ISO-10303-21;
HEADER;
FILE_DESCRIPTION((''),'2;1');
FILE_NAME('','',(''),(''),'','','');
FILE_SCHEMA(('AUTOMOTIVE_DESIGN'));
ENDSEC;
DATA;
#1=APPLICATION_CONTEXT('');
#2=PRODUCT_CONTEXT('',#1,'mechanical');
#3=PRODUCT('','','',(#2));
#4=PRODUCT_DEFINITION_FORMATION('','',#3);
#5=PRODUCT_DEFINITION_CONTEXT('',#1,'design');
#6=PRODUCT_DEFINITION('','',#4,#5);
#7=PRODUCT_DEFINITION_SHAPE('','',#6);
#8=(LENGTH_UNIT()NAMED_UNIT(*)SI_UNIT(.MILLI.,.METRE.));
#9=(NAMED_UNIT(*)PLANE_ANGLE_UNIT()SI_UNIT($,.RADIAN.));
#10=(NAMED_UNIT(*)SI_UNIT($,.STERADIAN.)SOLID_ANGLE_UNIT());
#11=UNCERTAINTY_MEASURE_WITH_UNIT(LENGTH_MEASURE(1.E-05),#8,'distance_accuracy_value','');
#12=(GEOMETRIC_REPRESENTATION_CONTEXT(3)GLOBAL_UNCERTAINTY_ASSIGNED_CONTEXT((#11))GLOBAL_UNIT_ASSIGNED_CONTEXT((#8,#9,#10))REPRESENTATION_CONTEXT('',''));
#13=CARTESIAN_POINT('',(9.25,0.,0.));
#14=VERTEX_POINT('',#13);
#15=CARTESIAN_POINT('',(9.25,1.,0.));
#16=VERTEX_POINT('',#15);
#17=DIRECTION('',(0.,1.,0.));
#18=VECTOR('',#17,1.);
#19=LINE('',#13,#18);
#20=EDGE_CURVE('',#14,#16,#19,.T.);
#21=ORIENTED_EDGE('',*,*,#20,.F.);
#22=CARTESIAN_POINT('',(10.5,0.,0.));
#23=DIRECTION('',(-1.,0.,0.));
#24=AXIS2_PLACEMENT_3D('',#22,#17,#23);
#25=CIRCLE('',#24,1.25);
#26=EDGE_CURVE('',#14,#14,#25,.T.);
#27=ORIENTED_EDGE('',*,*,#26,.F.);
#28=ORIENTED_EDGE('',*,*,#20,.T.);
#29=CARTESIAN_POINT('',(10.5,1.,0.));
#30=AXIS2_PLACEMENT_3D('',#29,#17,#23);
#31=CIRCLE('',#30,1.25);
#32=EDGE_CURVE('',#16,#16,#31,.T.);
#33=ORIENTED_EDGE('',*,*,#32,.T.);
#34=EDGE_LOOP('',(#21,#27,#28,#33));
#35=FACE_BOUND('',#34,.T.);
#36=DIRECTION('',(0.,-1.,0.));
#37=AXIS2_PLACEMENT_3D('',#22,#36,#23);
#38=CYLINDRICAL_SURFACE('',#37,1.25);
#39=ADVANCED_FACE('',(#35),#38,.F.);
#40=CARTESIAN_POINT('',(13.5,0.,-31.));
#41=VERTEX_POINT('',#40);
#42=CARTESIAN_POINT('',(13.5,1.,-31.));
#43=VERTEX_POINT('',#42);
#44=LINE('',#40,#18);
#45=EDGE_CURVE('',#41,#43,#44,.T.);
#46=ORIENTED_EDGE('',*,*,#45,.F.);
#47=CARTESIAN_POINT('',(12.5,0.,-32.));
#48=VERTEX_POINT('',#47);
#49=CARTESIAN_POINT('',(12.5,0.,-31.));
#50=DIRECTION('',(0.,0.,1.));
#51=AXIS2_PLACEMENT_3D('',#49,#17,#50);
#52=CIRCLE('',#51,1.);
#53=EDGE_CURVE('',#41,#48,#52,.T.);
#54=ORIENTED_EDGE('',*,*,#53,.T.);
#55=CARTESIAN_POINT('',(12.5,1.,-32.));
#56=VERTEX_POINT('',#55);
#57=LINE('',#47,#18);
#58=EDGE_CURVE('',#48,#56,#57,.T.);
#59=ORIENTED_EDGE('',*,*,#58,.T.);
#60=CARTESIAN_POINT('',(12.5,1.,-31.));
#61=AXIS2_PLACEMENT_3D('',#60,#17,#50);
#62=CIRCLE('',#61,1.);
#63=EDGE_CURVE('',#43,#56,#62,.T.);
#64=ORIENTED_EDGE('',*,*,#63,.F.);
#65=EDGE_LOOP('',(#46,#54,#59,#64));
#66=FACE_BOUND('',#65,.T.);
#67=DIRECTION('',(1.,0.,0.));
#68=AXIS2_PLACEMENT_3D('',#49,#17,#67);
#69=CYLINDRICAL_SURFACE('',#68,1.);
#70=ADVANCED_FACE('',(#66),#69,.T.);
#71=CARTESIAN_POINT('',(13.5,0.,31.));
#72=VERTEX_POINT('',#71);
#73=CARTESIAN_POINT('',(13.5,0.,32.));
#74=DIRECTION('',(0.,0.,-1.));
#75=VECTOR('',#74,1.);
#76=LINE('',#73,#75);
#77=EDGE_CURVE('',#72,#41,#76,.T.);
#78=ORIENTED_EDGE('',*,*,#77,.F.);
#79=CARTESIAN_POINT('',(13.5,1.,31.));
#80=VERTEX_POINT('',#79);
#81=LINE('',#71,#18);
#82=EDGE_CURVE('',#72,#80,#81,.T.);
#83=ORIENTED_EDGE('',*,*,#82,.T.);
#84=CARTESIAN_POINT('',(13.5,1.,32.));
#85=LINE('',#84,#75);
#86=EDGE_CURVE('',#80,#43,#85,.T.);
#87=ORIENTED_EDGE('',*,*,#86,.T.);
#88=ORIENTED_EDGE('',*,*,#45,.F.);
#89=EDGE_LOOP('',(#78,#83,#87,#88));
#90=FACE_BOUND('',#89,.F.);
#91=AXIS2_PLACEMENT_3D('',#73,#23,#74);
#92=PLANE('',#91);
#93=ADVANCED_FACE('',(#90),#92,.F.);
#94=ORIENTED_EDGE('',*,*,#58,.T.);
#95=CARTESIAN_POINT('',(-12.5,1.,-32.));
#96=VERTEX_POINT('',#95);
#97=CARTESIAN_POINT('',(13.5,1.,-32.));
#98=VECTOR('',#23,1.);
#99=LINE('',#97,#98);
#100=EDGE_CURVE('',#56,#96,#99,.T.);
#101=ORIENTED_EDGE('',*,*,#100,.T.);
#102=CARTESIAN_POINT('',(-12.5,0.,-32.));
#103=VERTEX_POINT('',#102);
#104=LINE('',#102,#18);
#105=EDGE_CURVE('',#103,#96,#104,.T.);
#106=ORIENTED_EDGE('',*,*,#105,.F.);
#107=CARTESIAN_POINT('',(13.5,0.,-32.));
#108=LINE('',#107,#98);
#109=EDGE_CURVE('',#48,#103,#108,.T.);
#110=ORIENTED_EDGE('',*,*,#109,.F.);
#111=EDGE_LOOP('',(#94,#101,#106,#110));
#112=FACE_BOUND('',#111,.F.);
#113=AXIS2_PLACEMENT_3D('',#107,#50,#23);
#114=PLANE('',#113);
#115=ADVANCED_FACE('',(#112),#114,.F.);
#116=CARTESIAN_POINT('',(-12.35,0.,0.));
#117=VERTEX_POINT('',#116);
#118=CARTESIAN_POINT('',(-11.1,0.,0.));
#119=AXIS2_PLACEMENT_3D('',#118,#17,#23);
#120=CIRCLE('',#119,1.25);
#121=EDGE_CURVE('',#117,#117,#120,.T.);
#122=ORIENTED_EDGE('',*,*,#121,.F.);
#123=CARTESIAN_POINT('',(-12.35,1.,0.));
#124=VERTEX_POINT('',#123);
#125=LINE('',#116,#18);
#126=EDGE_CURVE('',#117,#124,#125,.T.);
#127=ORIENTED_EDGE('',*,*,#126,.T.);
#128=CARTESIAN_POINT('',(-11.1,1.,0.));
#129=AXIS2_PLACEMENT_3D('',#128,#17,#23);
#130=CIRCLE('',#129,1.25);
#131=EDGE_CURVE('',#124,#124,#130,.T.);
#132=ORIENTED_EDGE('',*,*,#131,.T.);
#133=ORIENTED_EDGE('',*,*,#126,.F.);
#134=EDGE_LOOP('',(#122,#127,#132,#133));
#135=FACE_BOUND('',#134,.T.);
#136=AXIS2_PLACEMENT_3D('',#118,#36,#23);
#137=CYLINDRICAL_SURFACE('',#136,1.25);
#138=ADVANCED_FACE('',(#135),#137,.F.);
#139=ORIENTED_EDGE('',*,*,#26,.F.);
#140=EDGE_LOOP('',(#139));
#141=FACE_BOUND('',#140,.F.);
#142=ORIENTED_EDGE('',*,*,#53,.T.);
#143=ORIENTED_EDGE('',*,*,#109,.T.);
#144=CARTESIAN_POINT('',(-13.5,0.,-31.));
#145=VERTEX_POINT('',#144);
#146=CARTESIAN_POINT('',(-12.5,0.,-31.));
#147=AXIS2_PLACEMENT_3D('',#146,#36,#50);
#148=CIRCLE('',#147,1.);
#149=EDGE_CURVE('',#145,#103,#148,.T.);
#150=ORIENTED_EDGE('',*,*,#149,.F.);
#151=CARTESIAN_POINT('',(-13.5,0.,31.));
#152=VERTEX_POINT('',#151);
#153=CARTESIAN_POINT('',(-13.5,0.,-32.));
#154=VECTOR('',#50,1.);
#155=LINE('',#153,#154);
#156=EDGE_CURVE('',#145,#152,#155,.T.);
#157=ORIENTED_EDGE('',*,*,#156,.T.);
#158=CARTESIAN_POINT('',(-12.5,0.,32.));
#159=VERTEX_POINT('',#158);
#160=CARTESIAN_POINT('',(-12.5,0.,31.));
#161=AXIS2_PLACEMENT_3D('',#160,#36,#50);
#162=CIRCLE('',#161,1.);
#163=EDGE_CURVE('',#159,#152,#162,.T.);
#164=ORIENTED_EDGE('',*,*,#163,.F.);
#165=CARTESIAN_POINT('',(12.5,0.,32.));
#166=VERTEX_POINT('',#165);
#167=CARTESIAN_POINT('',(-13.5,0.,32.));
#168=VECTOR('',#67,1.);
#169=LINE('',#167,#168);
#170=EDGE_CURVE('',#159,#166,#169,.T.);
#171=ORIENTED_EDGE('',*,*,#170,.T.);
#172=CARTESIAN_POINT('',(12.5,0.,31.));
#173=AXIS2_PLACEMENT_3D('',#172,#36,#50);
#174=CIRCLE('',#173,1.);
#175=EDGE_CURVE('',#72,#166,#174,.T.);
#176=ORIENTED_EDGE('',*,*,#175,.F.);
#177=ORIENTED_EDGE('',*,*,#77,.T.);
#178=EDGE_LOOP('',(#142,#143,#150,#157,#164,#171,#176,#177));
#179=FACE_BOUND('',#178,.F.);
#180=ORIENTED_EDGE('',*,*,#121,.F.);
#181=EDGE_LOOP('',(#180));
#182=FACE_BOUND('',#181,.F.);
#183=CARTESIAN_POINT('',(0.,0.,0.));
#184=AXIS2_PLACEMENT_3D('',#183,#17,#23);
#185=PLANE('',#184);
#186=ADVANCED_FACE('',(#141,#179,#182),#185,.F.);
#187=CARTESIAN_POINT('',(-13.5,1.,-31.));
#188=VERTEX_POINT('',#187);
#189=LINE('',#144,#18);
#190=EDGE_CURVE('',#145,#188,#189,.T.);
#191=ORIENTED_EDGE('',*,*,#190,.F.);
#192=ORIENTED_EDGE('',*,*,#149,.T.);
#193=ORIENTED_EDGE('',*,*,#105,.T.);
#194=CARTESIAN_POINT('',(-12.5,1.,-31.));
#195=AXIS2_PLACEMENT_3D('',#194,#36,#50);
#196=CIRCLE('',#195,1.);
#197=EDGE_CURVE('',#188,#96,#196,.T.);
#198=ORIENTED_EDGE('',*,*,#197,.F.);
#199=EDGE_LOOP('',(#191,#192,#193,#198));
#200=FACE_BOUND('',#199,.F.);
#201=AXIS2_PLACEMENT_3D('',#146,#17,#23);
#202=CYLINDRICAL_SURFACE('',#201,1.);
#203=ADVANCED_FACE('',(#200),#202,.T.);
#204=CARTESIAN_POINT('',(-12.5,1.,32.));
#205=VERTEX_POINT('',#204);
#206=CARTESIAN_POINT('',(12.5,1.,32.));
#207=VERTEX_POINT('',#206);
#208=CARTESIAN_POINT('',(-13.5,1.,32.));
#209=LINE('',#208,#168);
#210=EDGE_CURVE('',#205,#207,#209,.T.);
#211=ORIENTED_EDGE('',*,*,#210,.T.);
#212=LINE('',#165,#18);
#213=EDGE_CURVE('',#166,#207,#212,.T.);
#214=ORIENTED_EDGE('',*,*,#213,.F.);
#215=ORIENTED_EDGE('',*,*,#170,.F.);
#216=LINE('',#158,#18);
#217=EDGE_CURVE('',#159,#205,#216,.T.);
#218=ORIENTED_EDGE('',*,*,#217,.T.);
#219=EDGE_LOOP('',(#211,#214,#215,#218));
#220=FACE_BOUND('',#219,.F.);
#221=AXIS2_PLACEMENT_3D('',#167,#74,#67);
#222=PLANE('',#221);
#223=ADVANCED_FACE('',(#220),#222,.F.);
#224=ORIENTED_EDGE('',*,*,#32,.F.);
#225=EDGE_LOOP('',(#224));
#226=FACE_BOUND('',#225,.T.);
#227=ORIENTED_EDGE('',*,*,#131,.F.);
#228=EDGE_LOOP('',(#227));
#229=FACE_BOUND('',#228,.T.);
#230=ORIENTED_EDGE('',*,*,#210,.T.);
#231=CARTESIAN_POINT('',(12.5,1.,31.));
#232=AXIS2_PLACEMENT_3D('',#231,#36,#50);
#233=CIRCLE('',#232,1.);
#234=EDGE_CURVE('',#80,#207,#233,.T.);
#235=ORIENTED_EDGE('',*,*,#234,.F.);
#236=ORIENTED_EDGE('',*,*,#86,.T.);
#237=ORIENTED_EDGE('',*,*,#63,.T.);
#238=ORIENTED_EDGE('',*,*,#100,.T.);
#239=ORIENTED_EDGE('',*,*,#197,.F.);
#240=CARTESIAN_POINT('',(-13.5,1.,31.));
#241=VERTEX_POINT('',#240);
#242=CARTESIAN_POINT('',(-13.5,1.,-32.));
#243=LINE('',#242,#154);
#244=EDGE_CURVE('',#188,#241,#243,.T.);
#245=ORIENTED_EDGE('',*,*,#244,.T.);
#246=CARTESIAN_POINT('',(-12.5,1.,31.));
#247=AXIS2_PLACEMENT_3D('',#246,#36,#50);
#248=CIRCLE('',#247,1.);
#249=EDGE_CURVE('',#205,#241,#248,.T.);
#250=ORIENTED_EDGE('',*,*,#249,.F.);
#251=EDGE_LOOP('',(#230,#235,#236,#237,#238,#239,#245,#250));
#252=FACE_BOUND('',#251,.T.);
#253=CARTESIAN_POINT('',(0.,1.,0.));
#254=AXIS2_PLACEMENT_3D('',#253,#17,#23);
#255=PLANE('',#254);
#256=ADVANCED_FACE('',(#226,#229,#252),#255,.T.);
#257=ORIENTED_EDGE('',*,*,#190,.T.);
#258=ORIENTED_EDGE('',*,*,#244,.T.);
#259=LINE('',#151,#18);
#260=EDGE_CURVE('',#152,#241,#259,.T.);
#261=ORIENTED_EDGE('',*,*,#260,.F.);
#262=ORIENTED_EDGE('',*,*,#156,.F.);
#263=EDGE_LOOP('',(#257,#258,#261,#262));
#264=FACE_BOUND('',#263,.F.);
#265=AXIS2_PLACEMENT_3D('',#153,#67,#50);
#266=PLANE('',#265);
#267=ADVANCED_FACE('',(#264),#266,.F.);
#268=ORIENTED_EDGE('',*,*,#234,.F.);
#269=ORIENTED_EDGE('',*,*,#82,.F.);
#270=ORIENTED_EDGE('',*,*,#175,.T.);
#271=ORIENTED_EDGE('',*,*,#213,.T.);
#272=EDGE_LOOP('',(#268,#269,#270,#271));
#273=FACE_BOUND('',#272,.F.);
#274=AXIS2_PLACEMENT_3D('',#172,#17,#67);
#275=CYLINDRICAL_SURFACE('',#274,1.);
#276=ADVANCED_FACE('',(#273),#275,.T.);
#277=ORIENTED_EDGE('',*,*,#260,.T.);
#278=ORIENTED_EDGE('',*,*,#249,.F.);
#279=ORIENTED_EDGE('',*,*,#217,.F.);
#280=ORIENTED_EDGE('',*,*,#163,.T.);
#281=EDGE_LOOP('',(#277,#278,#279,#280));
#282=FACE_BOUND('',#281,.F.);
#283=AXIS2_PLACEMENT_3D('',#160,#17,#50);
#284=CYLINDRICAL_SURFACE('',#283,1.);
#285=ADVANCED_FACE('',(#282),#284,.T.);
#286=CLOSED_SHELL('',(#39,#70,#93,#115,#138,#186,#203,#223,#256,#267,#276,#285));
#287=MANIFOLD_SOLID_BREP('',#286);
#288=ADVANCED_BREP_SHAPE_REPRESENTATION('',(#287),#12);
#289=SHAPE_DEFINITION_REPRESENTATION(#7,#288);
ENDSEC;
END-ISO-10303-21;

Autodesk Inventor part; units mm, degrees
ref_plane "YZ Plane" through (0, 0, 0) normal (1, 0, 0) x (0, 1, 0)
ref_plane "XZ Plane" through (0, 0, 0) normal (0, 1, 0) x (-1, 0, 0)
ref_plane "XY Plane" through (0, 0, 0) normal (0, 0, 1) x (1, 0, 0)
sketch "Sketch1" plane through (0, 0, 0) normal (0, 1, 0) x (-1, 0, 0)
  line L0 (-13.5, -32) -> (13.5, -32)
  line L1 (13.5, -32) -> (13.5, 32)
  line L2 (13.5, 32) -> (-13.5, 32)
  line L3 (-13.5, 32) -> (-13.5, -32)
  line L4 (-13.5, -32) -> (13.5, 32) construction
  line L5 (13.5, -32) -> (-13.5, 32) construction
  circle A0 centre (11.1, 0) radius 1.25
  circle A1 centre (-10.5, 0) radius 1.25
  point P0 (0, 0)
  point P1 (13.5, 0)
  dimension "d0" = 64
  dimension "d1" = 27
  dimension "d2" = 2.5
  dimension "d3" = 21.6
  dimension "d5" = 2.5
  dimension "d8" = 3
extrude "Extrusion1" add sketch "Sketch1" along normal blind 1
fillet "Fillet1" radius 1 4 edges at (13.5, 0.5, 32) (-13.5, 0.5, 32) (13.5, 0.5, -32) (-13.5, 0.5, -32)
properties part number "PCB_2"
